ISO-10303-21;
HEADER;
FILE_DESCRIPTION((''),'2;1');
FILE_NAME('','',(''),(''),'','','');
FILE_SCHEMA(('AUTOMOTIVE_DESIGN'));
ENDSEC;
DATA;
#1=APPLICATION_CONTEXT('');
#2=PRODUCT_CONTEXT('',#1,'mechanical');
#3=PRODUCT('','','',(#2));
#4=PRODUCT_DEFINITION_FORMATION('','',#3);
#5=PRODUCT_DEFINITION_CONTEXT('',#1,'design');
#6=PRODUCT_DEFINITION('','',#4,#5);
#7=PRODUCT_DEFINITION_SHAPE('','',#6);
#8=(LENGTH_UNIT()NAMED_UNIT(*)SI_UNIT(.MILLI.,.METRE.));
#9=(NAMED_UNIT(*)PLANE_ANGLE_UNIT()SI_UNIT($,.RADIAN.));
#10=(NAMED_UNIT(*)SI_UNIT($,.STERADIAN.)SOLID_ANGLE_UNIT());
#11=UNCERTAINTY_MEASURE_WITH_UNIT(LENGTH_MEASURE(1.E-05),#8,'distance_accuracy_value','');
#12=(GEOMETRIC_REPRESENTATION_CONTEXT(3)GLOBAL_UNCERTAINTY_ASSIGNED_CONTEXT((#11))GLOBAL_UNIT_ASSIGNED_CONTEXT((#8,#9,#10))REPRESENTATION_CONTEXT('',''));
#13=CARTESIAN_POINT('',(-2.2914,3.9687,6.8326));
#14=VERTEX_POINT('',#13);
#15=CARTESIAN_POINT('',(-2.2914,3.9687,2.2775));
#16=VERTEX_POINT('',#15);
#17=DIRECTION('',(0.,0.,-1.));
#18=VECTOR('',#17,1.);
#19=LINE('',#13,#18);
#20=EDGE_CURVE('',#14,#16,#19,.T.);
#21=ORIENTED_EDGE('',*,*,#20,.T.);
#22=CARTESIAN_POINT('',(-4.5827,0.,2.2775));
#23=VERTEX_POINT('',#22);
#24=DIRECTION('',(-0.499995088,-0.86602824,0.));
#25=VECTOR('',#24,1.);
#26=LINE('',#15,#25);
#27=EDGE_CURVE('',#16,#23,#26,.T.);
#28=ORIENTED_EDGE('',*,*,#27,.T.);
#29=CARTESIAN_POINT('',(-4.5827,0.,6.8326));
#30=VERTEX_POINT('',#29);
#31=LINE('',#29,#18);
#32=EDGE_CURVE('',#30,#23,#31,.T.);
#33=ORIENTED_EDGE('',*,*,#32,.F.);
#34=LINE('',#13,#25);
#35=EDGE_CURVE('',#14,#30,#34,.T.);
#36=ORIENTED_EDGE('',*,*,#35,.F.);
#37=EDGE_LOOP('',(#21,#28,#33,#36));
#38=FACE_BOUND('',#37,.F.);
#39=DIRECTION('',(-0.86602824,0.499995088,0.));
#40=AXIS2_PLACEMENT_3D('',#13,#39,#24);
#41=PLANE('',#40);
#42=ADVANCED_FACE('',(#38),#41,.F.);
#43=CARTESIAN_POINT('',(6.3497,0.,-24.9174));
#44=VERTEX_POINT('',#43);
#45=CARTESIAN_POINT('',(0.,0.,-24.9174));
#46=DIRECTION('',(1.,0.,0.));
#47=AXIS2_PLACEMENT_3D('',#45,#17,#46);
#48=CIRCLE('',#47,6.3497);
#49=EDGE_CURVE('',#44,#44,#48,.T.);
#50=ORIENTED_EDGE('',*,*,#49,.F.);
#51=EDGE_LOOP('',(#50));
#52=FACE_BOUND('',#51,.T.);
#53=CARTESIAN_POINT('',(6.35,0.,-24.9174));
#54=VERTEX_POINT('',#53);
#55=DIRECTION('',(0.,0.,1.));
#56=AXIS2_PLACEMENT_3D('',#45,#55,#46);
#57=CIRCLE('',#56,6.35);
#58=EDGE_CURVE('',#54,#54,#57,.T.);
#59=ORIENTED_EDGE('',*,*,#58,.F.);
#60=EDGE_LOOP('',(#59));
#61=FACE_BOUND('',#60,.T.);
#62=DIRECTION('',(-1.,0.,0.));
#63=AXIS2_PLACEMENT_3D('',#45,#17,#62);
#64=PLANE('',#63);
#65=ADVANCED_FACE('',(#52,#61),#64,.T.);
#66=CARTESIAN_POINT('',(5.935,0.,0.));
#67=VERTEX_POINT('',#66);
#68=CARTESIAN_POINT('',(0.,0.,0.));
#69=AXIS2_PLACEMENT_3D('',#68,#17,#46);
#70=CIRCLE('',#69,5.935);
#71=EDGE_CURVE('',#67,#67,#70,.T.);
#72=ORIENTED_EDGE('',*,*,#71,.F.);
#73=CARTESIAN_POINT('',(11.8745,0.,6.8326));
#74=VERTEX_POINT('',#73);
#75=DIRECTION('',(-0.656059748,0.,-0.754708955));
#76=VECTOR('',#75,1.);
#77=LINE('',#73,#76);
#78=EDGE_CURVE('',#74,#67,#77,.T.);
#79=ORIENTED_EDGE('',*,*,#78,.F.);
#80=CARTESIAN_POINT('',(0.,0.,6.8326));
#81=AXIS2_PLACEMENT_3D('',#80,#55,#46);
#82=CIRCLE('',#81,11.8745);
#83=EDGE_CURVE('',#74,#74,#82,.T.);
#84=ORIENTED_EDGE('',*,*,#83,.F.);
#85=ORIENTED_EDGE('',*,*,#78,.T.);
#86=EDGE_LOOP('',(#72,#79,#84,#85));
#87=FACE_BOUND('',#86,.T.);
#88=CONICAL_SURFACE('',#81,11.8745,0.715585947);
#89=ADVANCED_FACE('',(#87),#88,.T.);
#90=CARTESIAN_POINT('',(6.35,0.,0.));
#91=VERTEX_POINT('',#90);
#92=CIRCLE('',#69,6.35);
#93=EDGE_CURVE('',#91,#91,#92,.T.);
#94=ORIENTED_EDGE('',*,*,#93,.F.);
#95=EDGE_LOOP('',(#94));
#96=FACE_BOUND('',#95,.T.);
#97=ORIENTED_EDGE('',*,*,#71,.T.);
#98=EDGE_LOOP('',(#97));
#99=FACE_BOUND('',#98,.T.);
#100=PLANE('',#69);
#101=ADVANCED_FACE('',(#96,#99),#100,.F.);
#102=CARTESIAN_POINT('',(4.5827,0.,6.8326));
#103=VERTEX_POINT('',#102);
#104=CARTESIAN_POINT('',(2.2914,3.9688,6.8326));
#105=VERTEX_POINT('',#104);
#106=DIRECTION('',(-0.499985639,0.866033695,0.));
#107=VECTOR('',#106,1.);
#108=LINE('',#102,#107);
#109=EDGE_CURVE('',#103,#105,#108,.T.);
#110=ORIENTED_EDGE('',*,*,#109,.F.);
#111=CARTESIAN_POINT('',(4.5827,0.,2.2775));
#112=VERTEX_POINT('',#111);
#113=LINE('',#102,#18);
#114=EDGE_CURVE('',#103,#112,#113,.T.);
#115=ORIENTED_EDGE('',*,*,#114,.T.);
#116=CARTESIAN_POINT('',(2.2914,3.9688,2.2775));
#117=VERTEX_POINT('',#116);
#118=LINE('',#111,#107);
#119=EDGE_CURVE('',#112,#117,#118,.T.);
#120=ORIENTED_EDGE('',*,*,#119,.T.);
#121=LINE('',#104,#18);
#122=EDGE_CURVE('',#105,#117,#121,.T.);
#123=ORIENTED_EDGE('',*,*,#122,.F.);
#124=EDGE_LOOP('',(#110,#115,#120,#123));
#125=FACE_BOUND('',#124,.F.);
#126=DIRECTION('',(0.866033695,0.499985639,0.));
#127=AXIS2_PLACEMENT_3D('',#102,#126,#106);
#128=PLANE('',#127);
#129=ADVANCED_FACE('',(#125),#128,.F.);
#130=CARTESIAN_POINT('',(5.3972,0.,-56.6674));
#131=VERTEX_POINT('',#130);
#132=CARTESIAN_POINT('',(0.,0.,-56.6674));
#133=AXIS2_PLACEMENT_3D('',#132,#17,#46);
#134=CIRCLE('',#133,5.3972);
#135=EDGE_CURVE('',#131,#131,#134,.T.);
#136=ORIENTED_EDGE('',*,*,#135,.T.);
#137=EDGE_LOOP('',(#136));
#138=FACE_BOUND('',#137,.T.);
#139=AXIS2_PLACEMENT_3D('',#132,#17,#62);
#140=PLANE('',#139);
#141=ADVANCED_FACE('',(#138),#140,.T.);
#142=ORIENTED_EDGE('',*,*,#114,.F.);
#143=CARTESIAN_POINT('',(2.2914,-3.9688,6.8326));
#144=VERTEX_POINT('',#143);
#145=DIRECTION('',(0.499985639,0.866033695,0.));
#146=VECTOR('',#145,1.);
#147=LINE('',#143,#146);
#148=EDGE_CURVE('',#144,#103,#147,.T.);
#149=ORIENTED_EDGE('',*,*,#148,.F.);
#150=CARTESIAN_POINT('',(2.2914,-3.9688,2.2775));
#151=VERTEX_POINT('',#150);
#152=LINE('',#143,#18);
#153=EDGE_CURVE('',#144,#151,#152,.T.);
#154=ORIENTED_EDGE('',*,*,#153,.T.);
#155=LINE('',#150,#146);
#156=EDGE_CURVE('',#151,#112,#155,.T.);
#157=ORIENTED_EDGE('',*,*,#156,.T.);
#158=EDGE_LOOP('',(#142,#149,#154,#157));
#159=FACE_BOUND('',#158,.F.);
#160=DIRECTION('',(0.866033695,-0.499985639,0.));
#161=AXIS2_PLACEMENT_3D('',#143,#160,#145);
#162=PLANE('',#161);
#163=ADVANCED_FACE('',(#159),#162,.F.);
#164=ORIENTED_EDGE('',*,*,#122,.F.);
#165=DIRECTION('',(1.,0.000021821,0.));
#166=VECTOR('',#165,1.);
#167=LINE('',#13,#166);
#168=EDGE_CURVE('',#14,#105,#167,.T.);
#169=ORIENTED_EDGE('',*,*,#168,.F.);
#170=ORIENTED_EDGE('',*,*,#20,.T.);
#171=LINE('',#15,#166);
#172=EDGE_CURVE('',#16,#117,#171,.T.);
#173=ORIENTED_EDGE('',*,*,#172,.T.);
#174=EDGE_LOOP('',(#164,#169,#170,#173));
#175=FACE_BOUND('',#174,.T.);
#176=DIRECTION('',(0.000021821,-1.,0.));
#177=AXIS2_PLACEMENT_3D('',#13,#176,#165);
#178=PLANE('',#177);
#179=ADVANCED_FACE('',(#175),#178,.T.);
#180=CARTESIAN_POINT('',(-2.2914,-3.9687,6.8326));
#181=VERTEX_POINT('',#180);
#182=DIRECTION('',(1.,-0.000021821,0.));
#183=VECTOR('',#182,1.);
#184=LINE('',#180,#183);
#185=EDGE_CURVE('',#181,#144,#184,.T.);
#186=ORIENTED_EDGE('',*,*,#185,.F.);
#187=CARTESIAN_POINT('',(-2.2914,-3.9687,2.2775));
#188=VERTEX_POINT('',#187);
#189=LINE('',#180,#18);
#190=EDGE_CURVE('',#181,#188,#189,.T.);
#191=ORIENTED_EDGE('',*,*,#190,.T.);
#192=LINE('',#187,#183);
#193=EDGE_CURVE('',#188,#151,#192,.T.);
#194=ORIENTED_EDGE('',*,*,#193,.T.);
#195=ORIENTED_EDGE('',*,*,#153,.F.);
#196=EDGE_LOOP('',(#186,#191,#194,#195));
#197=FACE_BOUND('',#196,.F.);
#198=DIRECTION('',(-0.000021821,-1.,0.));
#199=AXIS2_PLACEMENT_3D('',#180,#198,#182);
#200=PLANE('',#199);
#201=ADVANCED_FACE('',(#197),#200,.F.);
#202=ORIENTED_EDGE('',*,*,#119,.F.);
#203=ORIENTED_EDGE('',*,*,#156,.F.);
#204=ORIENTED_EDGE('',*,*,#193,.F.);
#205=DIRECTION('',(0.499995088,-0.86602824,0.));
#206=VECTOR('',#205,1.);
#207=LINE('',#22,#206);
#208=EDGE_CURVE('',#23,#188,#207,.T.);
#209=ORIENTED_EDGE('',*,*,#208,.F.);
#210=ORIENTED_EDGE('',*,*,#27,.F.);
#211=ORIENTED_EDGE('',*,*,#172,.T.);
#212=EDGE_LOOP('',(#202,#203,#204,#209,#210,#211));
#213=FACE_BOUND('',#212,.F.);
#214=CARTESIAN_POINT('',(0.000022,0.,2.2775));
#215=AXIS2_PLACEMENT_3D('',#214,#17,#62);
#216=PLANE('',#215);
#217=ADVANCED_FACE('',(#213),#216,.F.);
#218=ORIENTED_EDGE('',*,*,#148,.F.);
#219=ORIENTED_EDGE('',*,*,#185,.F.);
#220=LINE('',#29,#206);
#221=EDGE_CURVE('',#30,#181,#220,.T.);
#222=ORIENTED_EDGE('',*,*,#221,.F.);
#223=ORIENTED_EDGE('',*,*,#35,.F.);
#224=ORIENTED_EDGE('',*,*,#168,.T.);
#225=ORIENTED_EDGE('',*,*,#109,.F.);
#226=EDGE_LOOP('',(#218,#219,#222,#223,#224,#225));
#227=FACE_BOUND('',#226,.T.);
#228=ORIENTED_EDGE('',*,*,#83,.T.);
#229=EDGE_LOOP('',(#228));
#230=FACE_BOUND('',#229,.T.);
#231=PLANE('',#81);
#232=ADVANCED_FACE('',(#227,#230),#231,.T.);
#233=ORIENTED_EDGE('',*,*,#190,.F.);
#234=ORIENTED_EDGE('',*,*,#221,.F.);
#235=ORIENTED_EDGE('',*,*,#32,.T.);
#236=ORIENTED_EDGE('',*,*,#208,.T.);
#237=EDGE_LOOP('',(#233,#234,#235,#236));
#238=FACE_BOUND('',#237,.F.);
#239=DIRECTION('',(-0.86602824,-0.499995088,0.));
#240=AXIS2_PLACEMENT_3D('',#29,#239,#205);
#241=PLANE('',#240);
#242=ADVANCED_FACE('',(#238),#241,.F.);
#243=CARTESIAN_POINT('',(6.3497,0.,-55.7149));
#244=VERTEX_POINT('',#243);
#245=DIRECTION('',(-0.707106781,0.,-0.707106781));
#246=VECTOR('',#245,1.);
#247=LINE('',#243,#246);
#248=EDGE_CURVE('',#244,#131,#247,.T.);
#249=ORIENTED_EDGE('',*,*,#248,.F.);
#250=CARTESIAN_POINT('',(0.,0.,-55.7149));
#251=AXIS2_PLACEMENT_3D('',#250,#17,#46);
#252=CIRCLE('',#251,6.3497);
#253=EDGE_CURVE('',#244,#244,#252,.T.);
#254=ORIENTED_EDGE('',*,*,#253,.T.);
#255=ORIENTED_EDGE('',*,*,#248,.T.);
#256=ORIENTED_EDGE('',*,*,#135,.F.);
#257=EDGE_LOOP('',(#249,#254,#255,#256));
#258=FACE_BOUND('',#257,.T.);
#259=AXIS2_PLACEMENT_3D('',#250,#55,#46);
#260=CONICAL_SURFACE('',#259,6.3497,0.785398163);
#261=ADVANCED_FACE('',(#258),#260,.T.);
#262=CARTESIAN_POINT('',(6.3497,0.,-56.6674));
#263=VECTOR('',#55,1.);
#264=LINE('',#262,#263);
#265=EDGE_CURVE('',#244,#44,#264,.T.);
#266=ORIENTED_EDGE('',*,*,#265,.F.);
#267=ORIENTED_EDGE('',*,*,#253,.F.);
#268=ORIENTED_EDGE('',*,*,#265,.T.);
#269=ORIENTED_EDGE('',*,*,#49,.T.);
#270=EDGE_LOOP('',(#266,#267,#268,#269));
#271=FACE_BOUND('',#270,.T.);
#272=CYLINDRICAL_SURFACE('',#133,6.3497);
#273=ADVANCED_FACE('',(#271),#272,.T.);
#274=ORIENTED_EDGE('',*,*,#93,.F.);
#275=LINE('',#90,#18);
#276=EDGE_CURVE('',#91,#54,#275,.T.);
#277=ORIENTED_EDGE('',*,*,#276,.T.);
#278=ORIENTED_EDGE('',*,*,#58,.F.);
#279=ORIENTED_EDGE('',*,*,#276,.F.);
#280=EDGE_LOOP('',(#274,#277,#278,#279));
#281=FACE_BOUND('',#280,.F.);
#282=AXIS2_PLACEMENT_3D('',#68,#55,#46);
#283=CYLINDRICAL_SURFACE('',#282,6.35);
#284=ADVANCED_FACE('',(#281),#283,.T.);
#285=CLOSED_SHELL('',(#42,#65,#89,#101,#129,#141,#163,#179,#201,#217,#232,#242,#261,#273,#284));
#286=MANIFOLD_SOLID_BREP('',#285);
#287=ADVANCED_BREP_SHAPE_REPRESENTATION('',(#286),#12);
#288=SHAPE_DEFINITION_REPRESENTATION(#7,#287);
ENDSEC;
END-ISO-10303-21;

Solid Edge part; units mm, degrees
sketch "Sketch1" plane through (0, 0, 0) normal (0, 0, 1) x (1, 0, 0)
  circle A0 centre (0, 0) radius 11.8745
  dimension "D1" = 23.749
extrude "Protrusion1" add sketch "Sketch1" along normal blind 6.8326
sketch "Sketch2" plane through (0, 0, 0) normal (0, 0, -1) x (1, 0, 0)
  circle A0 centre (0, 0) radius 6.35
extrude "Protrusion2" add sketch "Sketch2" along normal blind 56.6674
sketch "Sketch3" plane through (0, 0, -56.6674) normal (0, 0, -1) x (1, 0, 0)
  circle A0 centre (0, 0) radius 6.3497
extrude "Cutout1" cut sketch "Sketch3" against normal blind 31.75 flip side to cut
chamfer "Chamfer_1" distance 0.9525 angle 45 1 edges at (-6.3497, 0, -56.6674)
sketch "Sketch4" plane through (0, 0, 6.8326) normal (0, 0, 1) x (1, 0, 0)
  line L0 (-2.2914, 3.9687) -> (2.2914, 3.9688)
  line L1 (4.5827, 0) -> (2.2914, 3.9688)
  line L2 (2.2914, -3.9688) -> (4.5827, 0)
  line L3 (-2.2914, -3.9687) -> (2.2914, -3.9688)
  line L4 (-4.5827, 0) -> (-2.2914, -3.9688)
  line L5 (-2.2914, 3.9688) -> (-4.5827, 0)
  dimension "D1" = 7.9375
extrude "Cutout2" cut sketch "Sketch4" against normal blind 4.5551
sketch "Sketch5" plane through (0, 0, 0) normal (0, -1, 0) x (1, 0, 0)
  line L0 (11.8745, 6.8326) -> (5.935, 0)
  line L1 (5.935, 0) -> (11.8745, 0)
  line L2 (11.8745, 0) -> (11.8745, 6.8326)
revolve "RevolvedCutout1" cut sketch "Sketch5" angle 360 about axis through (0, 0, 14.0017) along (0, 0, -1)
properties part number "24103621"
